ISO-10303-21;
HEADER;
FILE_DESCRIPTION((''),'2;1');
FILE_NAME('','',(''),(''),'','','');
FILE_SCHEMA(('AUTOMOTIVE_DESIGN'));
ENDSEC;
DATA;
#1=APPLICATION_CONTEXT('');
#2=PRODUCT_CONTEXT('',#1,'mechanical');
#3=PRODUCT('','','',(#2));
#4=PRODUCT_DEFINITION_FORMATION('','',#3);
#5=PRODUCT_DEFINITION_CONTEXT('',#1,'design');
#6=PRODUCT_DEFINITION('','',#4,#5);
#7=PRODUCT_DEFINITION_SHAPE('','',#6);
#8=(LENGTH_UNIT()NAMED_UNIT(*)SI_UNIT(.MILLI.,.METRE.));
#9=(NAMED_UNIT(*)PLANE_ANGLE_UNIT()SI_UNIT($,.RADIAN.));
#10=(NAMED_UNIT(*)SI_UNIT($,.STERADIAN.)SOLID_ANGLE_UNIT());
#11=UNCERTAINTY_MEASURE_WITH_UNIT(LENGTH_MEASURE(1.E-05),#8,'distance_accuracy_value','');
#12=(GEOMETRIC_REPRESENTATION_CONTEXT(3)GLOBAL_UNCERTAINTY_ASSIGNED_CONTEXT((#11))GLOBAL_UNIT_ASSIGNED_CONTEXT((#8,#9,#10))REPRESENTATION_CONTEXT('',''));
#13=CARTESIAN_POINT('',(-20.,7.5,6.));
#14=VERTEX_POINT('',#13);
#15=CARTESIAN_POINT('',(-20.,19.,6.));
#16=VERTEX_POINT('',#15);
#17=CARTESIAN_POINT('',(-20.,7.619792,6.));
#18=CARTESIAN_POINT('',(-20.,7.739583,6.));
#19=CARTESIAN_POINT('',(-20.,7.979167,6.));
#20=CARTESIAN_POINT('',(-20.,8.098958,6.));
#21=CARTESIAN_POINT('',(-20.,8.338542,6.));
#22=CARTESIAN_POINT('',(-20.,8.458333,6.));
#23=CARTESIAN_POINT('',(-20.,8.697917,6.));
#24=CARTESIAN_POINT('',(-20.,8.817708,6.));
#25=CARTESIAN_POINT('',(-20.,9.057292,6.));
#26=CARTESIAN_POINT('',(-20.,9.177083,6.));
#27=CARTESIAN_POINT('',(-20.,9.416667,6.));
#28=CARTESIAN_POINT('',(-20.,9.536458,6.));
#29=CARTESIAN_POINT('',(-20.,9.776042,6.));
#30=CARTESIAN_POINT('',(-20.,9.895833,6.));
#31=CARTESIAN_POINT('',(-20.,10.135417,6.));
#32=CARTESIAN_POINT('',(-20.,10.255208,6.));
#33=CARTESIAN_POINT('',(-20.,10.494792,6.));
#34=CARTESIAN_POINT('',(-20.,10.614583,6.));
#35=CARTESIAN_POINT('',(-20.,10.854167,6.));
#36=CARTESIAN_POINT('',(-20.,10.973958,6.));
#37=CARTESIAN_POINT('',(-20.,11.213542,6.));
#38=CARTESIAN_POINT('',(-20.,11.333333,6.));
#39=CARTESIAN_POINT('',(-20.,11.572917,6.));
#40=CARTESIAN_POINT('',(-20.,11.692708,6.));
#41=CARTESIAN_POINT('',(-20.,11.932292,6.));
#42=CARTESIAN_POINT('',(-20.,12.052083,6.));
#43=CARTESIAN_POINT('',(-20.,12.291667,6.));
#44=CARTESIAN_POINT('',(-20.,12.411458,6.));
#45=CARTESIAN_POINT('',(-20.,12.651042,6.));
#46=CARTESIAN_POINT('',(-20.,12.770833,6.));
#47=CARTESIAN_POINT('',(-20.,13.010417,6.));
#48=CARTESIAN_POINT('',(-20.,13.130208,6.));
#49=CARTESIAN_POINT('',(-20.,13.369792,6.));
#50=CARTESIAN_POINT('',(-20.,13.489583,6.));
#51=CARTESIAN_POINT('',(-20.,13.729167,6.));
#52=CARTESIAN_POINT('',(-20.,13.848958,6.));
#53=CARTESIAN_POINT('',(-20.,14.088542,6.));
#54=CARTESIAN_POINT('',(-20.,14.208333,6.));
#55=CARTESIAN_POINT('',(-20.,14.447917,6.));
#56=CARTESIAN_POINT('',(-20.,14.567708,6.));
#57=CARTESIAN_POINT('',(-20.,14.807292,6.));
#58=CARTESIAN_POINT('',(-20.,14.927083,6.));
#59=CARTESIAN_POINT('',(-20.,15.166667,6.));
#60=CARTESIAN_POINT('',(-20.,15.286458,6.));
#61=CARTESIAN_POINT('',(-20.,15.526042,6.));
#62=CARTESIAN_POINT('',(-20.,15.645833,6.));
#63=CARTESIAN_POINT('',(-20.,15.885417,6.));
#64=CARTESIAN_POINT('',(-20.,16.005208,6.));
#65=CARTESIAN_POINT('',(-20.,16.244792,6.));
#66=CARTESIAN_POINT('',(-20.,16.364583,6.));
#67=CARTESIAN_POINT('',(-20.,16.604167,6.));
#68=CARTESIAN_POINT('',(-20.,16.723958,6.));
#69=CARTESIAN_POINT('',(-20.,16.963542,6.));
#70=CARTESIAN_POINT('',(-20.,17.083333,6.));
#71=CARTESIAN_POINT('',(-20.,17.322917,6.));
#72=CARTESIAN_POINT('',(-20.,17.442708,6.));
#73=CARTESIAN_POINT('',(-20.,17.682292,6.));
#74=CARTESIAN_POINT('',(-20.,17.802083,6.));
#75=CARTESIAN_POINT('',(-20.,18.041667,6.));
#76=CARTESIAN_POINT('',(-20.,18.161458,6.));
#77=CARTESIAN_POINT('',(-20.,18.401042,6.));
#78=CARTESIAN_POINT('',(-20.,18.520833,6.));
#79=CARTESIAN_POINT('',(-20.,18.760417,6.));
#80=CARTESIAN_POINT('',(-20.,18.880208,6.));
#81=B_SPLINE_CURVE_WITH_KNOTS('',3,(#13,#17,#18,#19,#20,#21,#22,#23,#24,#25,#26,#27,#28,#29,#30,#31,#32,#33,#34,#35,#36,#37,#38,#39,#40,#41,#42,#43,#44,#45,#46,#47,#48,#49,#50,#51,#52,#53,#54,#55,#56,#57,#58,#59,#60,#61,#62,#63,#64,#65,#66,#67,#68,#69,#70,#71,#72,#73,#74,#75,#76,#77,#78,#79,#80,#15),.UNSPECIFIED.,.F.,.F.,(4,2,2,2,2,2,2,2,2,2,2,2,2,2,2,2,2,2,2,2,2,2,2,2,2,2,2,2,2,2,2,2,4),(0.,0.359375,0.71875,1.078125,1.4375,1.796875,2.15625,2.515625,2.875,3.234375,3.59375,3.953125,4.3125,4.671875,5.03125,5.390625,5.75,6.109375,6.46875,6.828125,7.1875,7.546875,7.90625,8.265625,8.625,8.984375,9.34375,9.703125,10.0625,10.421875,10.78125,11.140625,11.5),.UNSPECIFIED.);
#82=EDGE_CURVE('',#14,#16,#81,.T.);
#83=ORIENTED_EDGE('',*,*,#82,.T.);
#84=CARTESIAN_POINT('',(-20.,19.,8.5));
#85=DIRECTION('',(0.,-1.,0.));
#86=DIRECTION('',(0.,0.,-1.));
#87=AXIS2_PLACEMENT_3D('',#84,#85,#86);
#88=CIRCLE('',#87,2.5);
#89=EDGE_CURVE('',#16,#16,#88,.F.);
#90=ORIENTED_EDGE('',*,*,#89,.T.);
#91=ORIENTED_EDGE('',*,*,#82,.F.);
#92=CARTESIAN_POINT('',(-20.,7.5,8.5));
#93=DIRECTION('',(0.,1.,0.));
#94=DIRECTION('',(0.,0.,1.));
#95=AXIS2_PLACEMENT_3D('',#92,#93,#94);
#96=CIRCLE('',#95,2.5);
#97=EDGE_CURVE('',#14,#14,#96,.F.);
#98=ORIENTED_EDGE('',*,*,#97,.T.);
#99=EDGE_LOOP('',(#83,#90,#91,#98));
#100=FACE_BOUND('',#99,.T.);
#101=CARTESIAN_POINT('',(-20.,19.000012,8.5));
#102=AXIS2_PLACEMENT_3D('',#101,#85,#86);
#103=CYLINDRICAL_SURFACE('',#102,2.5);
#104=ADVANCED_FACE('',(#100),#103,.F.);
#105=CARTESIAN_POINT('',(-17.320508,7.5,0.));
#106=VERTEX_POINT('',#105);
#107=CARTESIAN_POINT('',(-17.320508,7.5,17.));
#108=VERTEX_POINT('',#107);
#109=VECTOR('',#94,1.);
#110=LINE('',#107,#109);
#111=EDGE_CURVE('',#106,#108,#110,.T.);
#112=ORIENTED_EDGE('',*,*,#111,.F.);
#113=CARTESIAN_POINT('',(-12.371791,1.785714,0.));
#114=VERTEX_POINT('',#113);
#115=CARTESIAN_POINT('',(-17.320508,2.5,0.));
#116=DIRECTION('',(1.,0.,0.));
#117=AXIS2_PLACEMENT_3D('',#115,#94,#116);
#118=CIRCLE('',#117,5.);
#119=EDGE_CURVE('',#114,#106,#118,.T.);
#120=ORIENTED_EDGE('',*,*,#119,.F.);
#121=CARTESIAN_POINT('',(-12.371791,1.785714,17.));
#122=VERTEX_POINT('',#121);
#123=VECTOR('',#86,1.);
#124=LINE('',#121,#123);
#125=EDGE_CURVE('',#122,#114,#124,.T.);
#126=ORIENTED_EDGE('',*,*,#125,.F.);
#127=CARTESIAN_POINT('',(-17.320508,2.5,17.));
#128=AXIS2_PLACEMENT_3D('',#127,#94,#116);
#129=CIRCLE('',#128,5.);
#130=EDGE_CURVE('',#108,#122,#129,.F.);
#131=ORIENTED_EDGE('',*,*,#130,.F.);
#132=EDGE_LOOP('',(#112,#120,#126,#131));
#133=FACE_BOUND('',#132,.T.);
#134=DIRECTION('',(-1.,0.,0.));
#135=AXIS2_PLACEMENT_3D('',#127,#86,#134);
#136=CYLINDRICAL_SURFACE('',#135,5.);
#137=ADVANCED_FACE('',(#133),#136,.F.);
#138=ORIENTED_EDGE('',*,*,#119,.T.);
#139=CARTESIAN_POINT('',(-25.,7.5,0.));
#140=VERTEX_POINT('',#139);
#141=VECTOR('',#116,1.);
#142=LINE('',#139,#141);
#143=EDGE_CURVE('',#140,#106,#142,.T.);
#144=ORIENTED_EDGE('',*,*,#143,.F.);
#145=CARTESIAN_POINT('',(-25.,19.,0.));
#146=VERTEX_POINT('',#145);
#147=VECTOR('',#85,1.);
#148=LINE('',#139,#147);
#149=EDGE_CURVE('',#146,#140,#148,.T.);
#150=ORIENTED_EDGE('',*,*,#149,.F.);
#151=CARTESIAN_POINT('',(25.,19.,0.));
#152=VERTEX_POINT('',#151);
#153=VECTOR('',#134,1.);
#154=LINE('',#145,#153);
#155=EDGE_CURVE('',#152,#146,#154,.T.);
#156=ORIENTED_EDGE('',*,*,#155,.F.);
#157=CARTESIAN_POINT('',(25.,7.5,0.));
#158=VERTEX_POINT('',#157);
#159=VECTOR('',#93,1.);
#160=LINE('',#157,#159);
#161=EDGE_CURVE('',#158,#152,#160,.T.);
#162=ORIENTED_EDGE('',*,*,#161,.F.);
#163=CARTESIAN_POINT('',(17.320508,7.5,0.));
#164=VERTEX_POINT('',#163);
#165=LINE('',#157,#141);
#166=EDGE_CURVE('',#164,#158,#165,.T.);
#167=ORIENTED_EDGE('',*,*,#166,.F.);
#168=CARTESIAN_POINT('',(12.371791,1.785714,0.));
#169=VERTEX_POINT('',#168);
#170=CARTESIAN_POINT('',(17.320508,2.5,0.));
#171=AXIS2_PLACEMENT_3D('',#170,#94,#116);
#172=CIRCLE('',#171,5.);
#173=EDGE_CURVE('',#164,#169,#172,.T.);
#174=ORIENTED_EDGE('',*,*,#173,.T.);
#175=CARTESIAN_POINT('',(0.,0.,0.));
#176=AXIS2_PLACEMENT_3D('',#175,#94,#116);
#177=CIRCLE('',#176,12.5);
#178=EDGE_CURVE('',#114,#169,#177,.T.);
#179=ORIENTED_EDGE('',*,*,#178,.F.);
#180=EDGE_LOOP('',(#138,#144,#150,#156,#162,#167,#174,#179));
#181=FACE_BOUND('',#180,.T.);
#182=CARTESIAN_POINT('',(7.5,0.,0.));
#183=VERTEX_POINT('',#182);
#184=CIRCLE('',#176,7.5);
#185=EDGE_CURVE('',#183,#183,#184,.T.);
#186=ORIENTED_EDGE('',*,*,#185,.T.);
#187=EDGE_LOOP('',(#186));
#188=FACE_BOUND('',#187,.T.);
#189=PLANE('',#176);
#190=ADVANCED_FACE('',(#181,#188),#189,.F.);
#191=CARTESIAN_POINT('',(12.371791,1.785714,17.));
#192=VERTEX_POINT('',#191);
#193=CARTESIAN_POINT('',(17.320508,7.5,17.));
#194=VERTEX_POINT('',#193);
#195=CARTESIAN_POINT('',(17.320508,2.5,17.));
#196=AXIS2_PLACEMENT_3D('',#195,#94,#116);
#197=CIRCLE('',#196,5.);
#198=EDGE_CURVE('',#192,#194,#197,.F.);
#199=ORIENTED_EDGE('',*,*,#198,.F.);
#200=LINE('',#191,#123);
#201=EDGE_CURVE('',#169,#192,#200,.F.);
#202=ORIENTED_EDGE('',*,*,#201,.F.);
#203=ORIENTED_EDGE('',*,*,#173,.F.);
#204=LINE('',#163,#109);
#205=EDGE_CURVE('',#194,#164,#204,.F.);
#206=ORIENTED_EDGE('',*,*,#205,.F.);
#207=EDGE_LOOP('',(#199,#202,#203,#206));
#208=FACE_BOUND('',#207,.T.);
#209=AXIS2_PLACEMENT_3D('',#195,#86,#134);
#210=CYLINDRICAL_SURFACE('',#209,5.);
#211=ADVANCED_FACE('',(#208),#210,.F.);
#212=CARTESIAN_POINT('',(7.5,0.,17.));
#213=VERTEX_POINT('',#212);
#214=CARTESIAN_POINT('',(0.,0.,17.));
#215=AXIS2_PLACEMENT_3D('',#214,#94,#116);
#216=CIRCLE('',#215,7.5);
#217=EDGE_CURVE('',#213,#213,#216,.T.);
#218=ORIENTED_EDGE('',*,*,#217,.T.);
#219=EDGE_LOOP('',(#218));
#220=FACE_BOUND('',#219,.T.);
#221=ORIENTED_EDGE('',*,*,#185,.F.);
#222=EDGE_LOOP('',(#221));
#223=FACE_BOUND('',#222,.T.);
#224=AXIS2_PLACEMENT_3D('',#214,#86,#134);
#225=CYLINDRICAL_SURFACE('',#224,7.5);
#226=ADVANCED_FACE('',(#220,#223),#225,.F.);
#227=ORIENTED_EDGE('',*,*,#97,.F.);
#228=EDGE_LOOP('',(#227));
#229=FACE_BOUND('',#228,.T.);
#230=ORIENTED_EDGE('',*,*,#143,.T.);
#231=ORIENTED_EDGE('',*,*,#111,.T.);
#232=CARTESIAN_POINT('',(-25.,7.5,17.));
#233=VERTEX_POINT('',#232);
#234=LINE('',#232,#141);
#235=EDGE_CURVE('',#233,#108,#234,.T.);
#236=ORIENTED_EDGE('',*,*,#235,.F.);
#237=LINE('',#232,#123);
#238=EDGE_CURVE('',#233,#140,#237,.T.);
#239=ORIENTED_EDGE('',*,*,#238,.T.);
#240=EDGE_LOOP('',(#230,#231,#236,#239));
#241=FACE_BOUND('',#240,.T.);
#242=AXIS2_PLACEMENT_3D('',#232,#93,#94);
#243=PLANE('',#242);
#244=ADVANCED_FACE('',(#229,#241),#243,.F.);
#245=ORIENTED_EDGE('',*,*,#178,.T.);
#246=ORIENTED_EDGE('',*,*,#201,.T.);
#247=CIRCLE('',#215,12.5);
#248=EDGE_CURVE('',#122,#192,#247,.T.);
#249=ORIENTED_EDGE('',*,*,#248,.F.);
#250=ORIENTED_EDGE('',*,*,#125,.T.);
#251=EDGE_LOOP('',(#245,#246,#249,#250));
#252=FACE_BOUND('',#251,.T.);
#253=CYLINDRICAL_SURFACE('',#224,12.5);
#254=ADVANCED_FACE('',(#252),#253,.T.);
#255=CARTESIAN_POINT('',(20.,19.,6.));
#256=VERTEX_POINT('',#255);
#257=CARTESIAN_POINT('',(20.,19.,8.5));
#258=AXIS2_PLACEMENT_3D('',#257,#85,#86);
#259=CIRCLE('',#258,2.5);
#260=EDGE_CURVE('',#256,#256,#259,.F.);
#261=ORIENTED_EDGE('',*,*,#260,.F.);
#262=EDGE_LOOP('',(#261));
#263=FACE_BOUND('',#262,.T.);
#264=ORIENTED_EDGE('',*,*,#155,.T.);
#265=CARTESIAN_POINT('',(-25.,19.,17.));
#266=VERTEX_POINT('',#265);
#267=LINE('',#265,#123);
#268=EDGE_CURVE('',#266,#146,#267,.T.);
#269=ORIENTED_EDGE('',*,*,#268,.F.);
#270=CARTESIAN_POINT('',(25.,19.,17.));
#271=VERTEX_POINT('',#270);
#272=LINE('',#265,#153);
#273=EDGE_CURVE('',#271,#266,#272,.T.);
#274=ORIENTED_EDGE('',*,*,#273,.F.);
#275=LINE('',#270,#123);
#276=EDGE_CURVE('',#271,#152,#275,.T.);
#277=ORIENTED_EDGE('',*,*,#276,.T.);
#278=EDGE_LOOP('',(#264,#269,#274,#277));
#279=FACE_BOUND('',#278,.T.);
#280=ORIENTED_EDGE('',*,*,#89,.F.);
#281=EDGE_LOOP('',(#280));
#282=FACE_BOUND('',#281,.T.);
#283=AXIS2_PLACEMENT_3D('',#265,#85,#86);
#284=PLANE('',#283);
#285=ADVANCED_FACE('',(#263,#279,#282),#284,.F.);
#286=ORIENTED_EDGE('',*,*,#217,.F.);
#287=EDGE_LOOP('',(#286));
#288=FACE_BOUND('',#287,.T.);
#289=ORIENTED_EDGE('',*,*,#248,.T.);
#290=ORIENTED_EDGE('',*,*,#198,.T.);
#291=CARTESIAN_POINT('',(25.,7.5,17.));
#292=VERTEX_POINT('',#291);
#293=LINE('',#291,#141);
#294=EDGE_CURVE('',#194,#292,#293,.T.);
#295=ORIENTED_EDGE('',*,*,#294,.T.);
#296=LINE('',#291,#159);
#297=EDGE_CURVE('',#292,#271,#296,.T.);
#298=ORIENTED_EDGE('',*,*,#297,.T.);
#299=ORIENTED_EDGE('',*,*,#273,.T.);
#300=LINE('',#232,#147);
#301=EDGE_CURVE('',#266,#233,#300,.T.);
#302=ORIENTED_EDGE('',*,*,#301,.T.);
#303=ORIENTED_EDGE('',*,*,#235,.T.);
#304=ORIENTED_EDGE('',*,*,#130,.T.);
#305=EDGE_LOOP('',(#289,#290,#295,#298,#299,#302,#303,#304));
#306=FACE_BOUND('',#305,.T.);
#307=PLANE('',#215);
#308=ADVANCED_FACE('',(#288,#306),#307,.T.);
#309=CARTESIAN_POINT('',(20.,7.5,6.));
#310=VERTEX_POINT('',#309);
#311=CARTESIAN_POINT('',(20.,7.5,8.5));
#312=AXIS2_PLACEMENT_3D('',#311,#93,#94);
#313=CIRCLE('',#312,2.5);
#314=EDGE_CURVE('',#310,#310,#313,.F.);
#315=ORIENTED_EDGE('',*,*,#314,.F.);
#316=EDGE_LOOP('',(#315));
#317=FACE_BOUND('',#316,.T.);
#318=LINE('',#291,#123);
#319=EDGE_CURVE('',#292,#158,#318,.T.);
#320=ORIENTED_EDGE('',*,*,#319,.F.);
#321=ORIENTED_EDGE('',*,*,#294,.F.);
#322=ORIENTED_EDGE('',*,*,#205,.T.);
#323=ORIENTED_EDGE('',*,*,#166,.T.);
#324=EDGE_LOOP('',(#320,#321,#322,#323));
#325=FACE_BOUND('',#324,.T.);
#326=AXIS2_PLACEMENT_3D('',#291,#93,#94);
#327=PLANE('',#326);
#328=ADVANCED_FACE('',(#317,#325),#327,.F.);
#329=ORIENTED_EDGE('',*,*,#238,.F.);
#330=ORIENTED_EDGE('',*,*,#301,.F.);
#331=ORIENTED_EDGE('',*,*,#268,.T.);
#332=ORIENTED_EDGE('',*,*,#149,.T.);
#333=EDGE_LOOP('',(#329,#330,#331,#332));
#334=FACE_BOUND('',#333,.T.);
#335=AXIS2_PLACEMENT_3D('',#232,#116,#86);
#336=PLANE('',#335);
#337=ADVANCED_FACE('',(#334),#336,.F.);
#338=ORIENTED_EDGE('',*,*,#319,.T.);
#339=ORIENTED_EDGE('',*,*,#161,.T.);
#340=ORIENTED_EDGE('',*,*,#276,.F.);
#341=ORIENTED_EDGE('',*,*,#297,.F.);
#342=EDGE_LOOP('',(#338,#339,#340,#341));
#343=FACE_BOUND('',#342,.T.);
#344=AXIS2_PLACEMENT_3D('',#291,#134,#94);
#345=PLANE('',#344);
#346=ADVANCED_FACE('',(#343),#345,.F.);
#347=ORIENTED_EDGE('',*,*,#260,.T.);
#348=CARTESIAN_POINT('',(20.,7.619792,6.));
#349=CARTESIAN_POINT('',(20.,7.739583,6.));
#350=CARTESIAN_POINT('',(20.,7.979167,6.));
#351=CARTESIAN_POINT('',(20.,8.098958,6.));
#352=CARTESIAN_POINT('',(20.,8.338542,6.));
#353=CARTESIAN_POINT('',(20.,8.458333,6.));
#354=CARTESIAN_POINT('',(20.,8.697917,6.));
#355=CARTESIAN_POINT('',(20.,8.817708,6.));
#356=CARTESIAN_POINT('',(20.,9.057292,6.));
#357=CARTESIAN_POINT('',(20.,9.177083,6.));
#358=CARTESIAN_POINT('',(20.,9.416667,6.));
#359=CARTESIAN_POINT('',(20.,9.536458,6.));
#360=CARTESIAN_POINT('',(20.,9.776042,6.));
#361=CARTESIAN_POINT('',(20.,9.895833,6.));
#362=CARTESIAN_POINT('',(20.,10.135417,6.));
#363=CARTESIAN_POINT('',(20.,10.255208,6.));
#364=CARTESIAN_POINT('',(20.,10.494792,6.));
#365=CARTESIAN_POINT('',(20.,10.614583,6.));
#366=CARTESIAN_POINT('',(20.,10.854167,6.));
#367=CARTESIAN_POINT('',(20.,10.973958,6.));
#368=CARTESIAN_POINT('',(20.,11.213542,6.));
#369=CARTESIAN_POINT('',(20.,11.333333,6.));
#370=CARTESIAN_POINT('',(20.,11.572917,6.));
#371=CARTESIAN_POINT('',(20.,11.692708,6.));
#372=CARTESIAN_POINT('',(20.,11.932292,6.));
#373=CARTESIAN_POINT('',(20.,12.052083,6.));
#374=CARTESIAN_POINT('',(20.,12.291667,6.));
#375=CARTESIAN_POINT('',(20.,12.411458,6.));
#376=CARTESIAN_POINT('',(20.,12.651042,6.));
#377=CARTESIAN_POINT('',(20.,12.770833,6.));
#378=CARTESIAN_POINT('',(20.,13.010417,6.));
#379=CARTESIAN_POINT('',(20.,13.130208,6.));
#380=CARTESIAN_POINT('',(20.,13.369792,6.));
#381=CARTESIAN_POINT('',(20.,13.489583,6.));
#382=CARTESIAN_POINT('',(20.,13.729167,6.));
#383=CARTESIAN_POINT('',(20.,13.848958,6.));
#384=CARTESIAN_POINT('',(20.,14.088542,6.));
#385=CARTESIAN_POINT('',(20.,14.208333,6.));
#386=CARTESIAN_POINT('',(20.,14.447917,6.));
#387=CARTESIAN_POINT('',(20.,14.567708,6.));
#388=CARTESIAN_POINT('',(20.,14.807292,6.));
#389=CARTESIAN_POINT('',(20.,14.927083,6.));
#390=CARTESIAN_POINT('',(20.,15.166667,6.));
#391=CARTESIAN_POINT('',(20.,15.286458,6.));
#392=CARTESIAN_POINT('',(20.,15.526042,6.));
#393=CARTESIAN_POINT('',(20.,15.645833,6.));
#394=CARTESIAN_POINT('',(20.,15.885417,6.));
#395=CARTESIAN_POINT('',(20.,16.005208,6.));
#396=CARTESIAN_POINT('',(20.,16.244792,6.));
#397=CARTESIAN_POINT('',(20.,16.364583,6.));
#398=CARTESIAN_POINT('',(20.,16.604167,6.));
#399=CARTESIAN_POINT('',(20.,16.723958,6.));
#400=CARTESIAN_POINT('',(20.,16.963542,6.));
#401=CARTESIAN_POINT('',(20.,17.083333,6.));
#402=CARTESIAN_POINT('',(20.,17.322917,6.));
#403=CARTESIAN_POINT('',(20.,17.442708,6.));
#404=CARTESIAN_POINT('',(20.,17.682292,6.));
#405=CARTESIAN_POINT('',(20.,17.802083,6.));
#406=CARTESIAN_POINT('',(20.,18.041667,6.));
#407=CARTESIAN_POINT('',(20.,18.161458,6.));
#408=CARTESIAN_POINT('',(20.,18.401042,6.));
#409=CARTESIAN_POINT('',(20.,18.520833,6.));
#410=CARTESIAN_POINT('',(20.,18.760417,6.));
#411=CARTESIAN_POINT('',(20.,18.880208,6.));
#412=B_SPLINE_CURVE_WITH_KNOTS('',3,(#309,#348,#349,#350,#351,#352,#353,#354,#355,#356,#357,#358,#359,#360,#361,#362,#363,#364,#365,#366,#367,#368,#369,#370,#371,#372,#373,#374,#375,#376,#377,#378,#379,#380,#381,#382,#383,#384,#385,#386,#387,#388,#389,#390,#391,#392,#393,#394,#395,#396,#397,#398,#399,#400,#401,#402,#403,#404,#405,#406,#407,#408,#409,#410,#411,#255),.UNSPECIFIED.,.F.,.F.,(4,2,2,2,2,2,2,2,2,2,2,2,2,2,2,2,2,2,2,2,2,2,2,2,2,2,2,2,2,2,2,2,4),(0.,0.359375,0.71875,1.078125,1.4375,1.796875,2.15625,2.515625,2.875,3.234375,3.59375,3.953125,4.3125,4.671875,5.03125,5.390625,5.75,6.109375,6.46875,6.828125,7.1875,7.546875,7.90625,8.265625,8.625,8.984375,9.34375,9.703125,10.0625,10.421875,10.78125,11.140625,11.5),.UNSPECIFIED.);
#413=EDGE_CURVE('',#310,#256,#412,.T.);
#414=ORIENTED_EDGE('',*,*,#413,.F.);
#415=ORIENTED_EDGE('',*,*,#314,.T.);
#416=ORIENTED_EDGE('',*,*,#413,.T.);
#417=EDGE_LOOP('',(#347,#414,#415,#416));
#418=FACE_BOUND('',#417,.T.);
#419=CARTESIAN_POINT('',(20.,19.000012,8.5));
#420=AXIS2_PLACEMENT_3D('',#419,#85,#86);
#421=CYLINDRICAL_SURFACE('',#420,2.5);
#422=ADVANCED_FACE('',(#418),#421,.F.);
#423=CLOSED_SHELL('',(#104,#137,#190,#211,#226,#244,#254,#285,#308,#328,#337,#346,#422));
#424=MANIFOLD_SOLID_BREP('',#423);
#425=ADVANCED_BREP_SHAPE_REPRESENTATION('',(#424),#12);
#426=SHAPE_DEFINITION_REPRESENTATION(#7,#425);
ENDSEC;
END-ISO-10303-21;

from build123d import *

# Parameters (mm, degrees)
SKETCH1_R                      = 7.5
BOSS_EXTRUDE1_DEPTH            = 17
CUT_EXTRUDE1_REACH             = 45.661
SKETCH2_R                      = 2.5
CUT_EXTRUDE1_DIRECTION_2_DEPTH = 44.660622991
FILLET1_R                      = 5
FILLET2_R                      = 5


with BuildPart() as part:
    # Sketch1 → Boss-Extrude1 (new body)
    with BuildSketch(Plane.XY):
        with BuildLine():
            Line((-25, 19), (25, 19))
            Line((25, 19), (25, 7.5))
            Line((25, 7.5), (10, 7.5))
            ThreePointArc((10, 7.5), (0, -12.5), (-10, 7.5))
            Line((-10, 7.5), (-25, 7.5))
            Line((-25, 7.5), (-25, 19))
        make_face()
        Circle(SKETCH1_R, mode=Mode.SUBTRACT)
    extrude(amount=BOSS_EXTRUDE1_DEPTH)

    # Sketch2 → Cut-Extrude1 (cut, up to next)
    with BuildSketch(Plane(origin=(0, 19, 0), x_dir=(1, 0, 0), z_dir=(0, 1, 0)), mode=Mode.PRIVATE) as cut_extrude1_sk1:
        with Locations(Location((20, -8.5, 0), (0, 0, 90))):
            Circle(SKETCH2_R)
    cut_extrude1_tool1 = extrude(cut_extrude1_sk1.sketch, amount=-CUT_EXTRUDE1_REACH, mode=Mode.PRIVATE) & part.part
    # Sketch2 → Cut-Extrude1 (cut, up to next)
    with BuildSketch(Plane(origin=(0, 19, 0), x_dir=(1, 0, 0), z_dir=(0, 1, 0)), mode=Mode.PRIVATE) as cut_extrude1_sk2:
        with Locations(Location((-20, -8.5, 0), (0, 0, 90))):
            Circle(SKETCH2_R)
    cut_extrude1_tool2 = extrude(cut_extrude1_sk2.sketch, amount=-CUT_EXTRUDE1_REACH, mode=Mode.PRIVATE) & part.part
    add(cut_extrude1_tool1.solids().sort_by_distance((20, 19, 8.5))[0], mode=Mode.SUBTRACT)
    add(cut_extrude1_tool2.solids().sort_by_distance((-20, 19, 8.5))[0], mode=Mode.SUBTRACT)

    # Sketch2 → Cut-Extrude1 direction 2 (cut)
    with BuildSketch(Plane(origin=(0, 19, 0), x_dir=(1, 0, 0), z_dir=(0, 1, 0))):
        with Locations(Location((20, -8.5, 0), (0, 0, 90))):
            Circle(SKETCH2_R)
        with Locations(Location((-20, -8.5, 0), (0, 0, 90))):
            Circle(SKETCH2_R)
    extrude(amount=CUT_EXTRUDE1_DIRECTION_2_DEPTH, mode=Mode.SUBTRACT)

    # Fillet1
    fillet1_edges = [part.edges().sort_by_distance(p)[0] for p in [
        (-10, 7.5, 8.5),
    ]]
    fillet(fillet1_edges, radius=FILLET1_R)

    # Fillet2
    fillet2_edges = [part.edges().sort_by_distance(p)[0] for p in [
        (10, 7.5, 8.5),
    ]]
    fillet(fillet2_edges, radius=FILLET2_R)


solid = part.part
